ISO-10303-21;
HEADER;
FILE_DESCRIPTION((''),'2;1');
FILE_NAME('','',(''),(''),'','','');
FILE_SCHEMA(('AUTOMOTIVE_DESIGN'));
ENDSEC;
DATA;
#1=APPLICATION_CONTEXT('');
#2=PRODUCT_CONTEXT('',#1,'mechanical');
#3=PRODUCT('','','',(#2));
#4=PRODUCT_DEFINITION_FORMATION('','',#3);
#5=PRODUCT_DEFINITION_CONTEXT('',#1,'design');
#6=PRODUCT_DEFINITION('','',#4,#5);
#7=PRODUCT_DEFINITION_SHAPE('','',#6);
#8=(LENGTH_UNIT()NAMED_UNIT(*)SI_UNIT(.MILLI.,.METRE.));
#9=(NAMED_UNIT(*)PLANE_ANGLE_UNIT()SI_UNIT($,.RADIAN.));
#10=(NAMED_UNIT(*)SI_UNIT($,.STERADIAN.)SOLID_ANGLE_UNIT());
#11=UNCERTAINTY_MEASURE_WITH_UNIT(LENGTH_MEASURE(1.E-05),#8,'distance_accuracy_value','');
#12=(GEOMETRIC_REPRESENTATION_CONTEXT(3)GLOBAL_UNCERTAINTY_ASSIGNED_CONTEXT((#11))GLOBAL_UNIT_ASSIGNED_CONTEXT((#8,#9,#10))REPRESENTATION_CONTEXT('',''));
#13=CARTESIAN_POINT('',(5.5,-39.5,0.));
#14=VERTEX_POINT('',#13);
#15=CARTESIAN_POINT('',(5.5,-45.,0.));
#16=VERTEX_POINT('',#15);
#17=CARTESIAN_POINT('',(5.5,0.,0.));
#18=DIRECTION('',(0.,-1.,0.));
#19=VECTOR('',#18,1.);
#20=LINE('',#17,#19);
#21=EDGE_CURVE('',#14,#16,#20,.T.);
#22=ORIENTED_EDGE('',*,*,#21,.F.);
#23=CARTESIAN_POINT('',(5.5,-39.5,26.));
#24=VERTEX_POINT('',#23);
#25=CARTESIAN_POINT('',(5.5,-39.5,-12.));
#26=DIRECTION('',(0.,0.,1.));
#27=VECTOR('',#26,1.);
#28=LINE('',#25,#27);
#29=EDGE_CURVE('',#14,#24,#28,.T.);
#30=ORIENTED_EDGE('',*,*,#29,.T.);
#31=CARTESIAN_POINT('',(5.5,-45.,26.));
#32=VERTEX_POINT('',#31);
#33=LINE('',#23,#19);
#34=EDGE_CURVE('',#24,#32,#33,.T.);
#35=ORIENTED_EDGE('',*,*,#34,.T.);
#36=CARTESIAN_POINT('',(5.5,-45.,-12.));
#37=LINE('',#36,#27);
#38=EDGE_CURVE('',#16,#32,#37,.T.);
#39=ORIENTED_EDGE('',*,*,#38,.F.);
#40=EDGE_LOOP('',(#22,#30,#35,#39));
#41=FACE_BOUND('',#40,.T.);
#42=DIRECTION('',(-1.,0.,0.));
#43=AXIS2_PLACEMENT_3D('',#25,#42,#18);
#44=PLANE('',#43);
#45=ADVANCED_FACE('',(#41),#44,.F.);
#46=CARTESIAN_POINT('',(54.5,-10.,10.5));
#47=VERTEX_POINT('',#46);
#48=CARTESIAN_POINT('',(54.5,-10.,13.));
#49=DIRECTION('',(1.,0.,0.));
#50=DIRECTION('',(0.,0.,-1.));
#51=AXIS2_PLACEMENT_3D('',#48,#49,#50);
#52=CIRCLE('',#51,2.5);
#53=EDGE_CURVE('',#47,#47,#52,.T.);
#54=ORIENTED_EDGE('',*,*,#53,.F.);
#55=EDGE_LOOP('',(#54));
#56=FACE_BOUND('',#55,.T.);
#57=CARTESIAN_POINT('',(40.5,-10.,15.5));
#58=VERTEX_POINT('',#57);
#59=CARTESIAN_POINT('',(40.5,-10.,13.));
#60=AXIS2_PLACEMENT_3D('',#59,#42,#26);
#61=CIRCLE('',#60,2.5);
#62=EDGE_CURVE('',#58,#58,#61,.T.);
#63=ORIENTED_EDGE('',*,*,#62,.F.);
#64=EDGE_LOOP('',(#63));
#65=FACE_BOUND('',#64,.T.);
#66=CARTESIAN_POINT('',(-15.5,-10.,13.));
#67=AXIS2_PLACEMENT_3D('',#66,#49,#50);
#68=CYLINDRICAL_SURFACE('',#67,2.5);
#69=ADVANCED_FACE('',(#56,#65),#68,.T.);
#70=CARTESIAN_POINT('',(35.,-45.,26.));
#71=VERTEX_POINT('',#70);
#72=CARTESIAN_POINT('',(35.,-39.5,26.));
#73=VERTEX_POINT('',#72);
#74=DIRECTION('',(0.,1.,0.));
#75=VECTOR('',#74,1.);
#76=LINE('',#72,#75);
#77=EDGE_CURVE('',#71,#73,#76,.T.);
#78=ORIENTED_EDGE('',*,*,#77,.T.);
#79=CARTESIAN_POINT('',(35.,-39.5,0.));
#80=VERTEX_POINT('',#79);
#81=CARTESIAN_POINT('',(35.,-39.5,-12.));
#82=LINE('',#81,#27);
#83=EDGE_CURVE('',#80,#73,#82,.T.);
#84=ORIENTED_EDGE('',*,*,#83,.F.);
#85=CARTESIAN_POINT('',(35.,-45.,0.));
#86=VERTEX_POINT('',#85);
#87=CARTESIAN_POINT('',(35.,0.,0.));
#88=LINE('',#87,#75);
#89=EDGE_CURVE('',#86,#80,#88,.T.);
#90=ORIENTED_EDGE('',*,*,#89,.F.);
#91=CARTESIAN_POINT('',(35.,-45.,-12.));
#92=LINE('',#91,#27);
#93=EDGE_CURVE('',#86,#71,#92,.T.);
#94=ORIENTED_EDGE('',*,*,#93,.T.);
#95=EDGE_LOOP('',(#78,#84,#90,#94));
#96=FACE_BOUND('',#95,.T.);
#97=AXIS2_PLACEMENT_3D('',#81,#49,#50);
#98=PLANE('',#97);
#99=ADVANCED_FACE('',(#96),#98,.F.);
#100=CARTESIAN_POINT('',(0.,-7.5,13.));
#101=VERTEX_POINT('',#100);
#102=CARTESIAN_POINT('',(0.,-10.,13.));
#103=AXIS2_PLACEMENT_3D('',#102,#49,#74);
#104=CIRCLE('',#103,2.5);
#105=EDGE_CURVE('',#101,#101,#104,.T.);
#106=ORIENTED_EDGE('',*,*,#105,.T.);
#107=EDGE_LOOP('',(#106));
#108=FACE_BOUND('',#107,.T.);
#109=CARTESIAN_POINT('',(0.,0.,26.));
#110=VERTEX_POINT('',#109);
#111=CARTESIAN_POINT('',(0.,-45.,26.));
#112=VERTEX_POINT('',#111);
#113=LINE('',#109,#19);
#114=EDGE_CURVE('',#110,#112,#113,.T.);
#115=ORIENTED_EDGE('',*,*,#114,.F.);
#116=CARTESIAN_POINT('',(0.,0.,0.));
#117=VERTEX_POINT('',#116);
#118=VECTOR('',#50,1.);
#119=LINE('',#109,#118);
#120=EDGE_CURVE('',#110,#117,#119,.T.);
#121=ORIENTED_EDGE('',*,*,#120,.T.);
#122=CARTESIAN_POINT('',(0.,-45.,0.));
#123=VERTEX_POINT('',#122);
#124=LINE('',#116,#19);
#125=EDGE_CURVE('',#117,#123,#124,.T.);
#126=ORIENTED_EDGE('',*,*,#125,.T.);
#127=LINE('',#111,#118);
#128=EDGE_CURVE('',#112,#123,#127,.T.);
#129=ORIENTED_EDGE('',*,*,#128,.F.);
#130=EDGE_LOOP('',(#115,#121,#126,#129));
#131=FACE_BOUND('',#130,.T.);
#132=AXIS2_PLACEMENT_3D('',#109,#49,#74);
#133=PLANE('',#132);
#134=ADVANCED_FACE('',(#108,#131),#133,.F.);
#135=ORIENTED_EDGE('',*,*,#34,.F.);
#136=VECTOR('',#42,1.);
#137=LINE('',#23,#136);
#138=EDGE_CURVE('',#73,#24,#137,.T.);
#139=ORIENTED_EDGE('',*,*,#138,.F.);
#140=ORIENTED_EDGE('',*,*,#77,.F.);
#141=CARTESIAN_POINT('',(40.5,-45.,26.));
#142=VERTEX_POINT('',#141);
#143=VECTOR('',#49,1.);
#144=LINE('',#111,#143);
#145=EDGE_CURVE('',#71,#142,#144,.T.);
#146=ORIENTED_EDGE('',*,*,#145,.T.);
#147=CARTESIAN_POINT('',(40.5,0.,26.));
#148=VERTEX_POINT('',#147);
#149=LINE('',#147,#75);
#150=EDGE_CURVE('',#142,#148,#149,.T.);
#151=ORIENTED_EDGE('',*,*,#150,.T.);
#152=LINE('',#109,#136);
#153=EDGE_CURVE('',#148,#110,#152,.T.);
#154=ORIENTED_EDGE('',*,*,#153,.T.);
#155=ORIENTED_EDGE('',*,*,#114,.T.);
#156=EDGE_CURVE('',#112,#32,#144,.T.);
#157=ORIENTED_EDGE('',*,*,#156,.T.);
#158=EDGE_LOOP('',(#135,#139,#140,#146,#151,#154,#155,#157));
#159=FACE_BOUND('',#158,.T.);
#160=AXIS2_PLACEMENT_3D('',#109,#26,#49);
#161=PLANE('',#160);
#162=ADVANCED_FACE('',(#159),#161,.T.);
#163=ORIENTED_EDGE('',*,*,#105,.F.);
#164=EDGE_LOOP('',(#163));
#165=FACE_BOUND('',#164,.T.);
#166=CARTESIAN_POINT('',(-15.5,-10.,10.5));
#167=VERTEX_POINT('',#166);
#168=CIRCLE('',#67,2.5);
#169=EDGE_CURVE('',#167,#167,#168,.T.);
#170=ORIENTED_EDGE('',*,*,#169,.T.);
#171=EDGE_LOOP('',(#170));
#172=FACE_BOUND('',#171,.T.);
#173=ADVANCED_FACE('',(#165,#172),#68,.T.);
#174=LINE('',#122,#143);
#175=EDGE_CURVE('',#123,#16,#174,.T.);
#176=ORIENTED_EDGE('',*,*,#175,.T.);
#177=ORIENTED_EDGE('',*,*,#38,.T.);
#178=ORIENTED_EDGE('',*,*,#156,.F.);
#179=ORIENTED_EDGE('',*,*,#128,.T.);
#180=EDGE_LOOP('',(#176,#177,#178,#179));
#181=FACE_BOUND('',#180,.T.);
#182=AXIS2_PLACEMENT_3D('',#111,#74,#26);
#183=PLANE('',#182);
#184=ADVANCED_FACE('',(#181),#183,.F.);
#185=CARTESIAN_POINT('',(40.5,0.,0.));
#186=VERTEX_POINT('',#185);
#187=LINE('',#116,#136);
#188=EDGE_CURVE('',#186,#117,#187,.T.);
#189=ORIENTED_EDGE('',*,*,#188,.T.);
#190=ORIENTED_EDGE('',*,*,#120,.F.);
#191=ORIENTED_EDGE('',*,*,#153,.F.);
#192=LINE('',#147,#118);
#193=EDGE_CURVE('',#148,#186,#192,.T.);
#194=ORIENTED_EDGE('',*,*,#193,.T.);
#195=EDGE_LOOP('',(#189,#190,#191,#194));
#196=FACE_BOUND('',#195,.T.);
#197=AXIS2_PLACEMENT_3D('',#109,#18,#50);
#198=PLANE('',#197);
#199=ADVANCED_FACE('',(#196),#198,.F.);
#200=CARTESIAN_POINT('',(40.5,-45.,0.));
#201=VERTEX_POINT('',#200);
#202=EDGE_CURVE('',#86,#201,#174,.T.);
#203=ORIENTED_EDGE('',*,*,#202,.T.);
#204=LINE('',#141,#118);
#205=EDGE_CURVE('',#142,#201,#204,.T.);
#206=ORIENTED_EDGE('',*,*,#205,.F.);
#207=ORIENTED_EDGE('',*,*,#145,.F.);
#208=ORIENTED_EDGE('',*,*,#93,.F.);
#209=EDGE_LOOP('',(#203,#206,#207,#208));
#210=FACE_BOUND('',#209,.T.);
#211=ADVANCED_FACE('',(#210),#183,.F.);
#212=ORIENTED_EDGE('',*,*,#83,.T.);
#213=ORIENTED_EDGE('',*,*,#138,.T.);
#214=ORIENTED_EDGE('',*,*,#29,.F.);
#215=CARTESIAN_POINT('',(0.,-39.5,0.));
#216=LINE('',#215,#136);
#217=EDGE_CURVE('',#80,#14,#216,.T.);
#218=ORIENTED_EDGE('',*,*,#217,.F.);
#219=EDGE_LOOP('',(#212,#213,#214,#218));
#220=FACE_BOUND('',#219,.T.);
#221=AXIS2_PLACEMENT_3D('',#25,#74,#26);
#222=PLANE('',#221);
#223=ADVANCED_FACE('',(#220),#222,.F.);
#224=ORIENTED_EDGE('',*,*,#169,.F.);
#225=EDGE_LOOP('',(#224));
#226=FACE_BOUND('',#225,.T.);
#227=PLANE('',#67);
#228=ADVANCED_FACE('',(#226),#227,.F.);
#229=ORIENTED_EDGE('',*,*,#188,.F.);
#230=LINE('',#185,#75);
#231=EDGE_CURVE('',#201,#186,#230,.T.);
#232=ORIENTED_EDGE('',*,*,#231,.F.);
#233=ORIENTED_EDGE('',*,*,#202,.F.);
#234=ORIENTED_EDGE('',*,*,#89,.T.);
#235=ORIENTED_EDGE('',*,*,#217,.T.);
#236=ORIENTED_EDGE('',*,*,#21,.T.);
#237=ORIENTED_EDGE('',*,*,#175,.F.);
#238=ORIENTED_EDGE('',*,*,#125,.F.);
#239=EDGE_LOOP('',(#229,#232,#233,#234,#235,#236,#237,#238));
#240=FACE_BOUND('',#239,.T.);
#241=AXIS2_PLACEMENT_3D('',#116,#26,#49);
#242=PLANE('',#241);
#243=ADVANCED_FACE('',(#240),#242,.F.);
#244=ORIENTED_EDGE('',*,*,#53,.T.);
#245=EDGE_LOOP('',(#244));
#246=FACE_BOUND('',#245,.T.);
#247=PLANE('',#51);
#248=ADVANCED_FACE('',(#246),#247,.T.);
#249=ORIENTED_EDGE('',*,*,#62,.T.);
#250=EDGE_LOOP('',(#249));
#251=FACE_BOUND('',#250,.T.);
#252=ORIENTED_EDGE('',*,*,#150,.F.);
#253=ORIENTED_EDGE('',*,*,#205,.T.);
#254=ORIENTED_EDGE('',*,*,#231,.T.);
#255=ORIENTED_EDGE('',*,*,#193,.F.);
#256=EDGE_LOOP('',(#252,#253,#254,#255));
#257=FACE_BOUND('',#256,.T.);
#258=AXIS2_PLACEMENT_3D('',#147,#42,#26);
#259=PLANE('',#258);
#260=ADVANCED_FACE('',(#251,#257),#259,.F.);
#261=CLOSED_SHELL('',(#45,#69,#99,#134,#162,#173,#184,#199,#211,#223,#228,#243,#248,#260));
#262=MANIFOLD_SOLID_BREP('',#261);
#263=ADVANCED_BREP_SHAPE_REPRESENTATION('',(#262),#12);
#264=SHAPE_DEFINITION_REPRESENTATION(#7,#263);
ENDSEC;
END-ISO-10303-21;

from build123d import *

# Parameters (mm, degrees)
SKETCH_1_W           = 40.5
SKETCH_1_H           = 45
EXTRUDE_1_DEPTH      = 26
SKETCH_2_W           = 29.5
SKETCH_2_H           = 5.5
CUT_EXTRUDE_1_DEPTH  = 38
EXTRUDE_2_DEPTH      = 14
EXTRUDE_2_DEPTH_BACK = 56
SKETCH_3_R           = 2.5


with BuildPart() as part:
    # 草图1 → 凸台-拉伸1 (new body)
    with BuildSketch(Plane.XY):
        with Locations((20.25, -22.5)):
            Rectangle(SKETCH_1_W, SKETCH_1_H)
    extrude(amount=EXTRUDE_1_DEPTH)

    # 草图2 → 切除-拉伸1 (cut)
    with BuildSketch(Plane.XY.offset(26)):
        with Locations((20.25, -42.25)):
            Rectangle(SKETCH_2_W, SKETCH_2_H)
    extrude(amount=-CUT_EXTRUDE_1_DEPTH, mode=Mode.SUBTRACT)

    # 草图3 → 凸台-拉伸2 (add, two sides: drawn at the far end of the back side and taken through both)
    with BuildSketch(Plane(origin=(40.5, 0, 0), x_dir=(0, 0, -1), z_dir=(1, 0, 0)).offset(-EXTRUDE_2_DEPTH_BACK)):
        with Locations((-13, -10)):
            Circle(SKETCH_3_R)
    extrude(amount=EXTRUDE_2_DEPTH + EXTRUDE_2_DEPTH_BACK)


solid = part.part
